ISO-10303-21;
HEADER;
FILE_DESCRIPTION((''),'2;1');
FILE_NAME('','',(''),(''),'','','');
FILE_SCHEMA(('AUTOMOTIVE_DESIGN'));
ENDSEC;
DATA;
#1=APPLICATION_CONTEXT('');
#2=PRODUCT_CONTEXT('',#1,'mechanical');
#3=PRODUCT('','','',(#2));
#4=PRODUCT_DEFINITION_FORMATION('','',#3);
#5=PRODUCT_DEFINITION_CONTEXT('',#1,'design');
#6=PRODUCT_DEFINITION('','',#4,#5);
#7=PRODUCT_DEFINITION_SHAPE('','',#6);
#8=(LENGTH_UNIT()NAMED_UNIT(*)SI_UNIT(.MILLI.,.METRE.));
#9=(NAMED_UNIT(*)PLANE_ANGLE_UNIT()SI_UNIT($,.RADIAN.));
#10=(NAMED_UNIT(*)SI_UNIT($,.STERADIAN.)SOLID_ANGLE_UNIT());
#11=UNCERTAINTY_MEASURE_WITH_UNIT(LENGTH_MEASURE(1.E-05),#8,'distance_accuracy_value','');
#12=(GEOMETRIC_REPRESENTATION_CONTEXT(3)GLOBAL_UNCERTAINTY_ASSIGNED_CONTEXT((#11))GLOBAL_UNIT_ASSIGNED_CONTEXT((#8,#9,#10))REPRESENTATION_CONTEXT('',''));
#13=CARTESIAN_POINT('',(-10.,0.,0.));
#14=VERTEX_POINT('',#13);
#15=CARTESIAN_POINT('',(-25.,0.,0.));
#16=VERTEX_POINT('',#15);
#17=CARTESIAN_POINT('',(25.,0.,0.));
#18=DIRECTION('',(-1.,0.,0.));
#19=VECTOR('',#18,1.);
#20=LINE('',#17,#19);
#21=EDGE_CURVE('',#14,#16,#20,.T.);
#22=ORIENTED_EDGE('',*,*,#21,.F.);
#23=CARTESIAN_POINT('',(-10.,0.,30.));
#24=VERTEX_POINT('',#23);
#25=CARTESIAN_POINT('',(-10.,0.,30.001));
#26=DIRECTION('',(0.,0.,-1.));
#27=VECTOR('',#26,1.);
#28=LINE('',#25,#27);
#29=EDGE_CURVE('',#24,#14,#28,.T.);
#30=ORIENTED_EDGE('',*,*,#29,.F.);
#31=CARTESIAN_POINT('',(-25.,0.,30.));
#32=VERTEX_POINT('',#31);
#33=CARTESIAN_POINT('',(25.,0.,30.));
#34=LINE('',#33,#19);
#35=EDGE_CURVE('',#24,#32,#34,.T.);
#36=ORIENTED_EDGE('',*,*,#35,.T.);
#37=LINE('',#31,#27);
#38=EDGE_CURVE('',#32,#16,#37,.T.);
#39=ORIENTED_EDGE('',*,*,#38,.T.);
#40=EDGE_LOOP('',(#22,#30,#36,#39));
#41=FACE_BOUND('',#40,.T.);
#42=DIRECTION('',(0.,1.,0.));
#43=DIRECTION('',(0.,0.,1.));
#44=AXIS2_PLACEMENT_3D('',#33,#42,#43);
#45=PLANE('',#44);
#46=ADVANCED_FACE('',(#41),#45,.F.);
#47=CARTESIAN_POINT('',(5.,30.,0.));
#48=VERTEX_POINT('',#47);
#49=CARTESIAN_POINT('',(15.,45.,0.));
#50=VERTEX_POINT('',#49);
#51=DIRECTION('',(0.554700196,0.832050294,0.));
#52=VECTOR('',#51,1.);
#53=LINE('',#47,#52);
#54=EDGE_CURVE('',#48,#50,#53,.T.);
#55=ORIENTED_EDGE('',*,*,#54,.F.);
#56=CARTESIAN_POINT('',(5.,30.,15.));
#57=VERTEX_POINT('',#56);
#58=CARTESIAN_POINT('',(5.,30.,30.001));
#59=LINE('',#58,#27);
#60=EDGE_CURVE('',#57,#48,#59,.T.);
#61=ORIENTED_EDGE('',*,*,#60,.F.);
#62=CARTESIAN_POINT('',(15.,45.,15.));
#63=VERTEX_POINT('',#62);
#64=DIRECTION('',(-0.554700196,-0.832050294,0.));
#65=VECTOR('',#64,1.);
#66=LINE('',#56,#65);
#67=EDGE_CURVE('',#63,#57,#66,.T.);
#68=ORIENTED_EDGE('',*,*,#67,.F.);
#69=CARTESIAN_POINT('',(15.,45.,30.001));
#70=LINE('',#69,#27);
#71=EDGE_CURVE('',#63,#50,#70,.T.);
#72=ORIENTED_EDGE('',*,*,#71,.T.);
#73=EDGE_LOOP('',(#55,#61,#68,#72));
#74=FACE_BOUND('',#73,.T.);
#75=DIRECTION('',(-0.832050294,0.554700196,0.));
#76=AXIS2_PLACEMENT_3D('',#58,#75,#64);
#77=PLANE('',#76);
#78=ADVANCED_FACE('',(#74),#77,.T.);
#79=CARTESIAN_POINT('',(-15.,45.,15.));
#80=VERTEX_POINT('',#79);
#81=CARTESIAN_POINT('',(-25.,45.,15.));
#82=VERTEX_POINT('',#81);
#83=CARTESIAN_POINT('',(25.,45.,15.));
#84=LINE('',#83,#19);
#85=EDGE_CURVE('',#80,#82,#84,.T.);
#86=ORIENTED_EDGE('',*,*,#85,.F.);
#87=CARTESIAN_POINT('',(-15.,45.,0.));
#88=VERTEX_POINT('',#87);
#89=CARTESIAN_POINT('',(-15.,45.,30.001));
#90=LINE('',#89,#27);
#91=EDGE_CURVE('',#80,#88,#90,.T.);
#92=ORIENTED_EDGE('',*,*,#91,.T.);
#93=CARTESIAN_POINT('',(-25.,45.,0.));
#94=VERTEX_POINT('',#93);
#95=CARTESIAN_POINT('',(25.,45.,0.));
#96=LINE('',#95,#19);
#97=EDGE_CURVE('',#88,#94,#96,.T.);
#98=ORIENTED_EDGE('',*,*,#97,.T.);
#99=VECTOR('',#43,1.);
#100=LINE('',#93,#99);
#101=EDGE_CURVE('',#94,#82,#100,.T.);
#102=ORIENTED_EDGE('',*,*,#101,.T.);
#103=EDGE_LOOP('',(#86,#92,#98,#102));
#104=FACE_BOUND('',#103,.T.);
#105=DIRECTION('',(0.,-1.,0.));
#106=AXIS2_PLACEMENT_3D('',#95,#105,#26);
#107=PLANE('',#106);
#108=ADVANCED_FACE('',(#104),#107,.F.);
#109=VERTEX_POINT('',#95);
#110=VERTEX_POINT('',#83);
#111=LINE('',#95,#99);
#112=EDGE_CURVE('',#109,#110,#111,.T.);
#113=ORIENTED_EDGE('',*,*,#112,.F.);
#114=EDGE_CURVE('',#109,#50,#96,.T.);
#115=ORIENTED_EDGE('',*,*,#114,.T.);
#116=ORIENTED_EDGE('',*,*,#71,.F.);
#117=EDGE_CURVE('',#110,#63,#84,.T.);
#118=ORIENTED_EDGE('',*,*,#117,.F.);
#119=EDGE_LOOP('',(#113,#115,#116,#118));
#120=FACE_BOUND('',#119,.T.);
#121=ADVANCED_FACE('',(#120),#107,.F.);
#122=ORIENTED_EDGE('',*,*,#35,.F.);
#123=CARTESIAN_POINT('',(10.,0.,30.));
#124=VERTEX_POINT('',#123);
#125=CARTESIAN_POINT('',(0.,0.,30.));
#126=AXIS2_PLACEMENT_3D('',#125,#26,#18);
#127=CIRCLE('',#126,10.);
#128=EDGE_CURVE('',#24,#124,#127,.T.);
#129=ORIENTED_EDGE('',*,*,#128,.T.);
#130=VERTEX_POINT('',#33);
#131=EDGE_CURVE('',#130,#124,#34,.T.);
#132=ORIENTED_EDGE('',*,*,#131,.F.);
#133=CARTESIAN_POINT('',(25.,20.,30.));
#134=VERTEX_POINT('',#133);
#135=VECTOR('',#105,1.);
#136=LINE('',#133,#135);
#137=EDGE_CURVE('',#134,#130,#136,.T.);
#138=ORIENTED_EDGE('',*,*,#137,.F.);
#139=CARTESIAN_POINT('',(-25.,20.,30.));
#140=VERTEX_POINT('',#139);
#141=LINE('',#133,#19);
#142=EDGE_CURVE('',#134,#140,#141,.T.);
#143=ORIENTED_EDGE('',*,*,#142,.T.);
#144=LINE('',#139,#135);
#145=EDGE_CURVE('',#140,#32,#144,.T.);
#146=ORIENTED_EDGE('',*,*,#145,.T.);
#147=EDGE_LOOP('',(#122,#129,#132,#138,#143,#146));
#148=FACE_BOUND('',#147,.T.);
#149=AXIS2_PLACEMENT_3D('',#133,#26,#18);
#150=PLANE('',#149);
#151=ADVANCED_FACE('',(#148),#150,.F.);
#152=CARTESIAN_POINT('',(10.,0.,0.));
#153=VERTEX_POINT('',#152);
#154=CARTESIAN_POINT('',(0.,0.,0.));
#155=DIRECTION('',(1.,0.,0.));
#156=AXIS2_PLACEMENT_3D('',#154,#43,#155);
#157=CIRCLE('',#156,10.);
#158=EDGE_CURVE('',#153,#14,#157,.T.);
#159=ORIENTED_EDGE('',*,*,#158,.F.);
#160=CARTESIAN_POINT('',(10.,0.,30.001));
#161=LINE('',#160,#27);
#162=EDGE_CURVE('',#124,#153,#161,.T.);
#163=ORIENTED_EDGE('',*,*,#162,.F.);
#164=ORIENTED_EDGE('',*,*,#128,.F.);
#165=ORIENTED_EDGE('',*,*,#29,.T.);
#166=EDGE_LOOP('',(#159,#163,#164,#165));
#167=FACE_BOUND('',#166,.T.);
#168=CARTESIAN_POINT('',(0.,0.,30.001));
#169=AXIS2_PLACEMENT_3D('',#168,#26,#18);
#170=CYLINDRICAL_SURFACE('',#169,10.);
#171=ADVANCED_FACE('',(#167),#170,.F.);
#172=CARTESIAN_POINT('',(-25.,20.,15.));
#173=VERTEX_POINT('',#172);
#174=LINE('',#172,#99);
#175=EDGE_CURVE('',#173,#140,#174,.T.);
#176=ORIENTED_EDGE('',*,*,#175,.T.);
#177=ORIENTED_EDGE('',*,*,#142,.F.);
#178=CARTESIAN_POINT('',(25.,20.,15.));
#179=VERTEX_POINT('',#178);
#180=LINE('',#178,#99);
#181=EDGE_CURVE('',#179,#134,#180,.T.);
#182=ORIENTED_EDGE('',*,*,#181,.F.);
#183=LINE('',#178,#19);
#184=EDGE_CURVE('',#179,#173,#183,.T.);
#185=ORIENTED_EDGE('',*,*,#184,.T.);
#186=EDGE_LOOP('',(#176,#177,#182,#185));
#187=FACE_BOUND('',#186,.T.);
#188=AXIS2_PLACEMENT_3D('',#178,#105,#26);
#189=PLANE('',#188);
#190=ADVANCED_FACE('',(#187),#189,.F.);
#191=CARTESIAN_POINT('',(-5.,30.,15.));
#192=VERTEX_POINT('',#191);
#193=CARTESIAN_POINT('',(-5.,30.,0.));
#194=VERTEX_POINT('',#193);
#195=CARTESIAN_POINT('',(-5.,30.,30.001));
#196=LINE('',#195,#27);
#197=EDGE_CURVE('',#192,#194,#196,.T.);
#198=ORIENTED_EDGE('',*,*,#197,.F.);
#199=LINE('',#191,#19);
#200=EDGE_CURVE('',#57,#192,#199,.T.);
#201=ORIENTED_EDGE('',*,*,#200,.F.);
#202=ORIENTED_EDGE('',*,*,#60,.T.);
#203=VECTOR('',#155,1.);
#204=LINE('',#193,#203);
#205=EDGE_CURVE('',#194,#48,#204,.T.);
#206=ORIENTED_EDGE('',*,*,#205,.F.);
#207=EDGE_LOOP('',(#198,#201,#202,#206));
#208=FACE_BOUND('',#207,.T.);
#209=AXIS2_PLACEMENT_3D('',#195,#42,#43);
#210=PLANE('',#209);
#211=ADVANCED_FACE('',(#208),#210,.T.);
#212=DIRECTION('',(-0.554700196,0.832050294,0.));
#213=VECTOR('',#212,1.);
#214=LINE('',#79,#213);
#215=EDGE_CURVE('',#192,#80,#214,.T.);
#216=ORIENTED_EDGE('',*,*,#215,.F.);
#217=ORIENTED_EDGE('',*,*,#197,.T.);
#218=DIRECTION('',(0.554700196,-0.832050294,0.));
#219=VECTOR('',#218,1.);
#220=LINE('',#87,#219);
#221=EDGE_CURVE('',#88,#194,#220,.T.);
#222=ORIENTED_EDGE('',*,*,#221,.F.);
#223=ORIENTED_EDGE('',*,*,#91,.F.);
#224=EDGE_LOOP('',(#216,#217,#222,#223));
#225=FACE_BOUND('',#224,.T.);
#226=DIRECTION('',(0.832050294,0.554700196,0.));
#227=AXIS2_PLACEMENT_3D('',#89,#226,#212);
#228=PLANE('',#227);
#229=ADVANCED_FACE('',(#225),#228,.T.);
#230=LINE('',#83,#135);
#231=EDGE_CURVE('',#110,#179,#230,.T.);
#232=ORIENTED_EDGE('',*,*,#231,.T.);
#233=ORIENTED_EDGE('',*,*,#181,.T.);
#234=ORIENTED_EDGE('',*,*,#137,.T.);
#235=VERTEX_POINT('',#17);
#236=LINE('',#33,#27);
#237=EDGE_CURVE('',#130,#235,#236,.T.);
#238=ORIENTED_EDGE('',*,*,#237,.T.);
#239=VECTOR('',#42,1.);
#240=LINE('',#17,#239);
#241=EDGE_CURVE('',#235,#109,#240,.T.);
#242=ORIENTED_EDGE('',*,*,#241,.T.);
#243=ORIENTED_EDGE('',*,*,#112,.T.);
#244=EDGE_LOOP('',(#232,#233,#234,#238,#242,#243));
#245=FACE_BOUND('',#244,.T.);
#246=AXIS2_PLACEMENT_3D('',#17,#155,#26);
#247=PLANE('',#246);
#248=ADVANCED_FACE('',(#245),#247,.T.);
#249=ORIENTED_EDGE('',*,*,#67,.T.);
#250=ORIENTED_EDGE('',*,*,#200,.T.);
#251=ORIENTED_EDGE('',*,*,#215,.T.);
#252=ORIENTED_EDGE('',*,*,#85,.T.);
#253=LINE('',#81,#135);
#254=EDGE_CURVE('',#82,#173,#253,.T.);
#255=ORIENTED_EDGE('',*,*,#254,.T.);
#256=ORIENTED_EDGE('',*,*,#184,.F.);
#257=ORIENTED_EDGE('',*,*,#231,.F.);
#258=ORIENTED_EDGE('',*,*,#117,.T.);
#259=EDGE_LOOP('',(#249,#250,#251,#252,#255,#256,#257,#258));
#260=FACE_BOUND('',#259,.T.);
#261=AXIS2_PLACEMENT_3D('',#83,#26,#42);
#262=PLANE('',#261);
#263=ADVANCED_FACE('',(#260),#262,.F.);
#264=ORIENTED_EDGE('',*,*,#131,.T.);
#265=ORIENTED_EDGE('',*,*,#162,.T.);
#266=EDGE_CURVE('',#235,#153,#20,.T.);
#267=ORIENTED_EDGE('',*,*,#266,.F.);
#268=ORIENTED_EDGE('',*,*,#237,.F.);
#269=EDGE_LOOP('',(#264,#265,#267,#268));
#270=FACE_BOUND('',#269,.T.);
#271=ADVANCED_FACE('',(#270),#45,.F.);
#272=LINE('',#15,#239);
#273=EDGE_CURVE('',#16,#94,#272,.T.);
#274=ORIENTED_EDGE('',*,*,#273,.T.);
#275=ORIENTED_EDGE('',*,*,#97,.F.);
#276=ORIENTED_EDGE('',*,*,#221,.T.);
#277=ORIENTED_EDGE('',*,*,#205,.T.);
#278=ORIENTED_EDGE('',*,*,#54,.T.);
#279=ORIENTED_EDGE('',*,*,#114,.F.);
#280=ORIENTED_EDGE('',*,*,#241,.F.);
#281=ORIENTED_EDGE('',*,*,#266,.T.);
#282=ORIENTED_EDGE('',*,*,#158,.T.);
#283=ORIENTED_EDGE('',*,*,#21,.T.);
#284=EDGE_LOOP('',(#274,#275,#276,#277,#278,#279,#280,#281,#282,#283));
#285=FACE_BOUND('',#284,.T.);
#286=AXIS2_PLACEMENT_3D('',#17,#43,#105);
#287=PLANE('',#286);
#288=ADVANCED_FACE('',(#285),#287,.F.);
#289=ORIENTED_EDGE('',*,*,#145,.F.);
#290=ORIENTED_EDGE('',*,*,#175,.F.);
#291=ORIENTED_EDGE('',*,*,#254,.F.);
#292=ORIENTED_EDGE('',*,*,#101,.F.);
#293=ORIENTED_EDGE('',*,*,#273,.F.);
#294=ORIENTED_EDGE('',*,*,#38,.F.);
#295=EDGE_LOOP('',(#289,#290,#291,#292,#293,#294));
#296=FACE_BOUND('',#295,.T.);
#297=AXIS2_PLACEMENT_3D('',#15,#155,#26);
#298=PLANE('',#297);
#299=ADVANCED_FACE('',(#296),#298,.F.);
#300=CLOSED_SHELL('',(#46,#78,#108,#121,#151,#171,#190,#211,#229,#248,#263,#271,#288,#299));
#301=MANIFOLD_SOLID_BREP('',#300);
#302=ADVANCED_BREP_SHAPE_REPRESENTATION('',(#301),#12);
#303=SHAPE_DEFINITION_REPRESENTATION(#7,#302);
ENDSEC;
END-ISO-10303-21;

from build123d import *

# Parameters (mm, degrees)
SALIENTE_EXTRUIR1_DEPTH = 25
CORTAR_EXTRUIR2_REACH   = 61.582


with BuildPart() as part:
    # Croquis2 → Saliente-Extruir1 (new, symmetric)
    with BuildSketch(Plane(origin=(0, 0, 0), x_dir=(0, 0, -1), z_dir=(1, 0, 0))):
        Polygon((0, 0), (0, 45), (-15, 45), (-15, 20), (-30, 20), (-30, 0), align=None)
    extrude(amount=SALIENTE_EXTRUIR1_DEPTH, both=True)

    # Croquis4 → Cortar-Extruir2 (cut, up to next)
    with BuildSketch(Plane.XY, mode=Mode.PRIVATE) as cortar_extruir2_sk1:
        with BuildLine():
            Line((-10, 0), (10, 0))
            ThreePointArc((10, 0), (0, 10), (-10, 0))
        make_face()
    cortar_extruir2_tool1 = extrude(cortar_extruir2_sk1.sketch, amount=CORTAR_EXTRUIR2_REACH, mode=Mode.PRIVATE) & part.part
    # Croquis4 → Cortar-Extruir2 (cut, up to next)
    with BuildSketch(Plane.XY, mode=Mode.PRIVATE) as cortar_extruir2_sk2:
        Polygon((-15, 45), (-5, 30), (5, 30), (15, 45), align=None)
    cortar_extruir2_tool2 = extrude(cortar_extruir2_sk2.sketch, amount=CORTAR_EXTRUIR2_REACH, mode=Mode.PRIVATE) & part.part
    add(cortar_extruir2_tool1.solids().sort_by_distance((0, 4.244132, 0))[0], mode=Mode.SUBTRACT)
    add(cortar_extruir2_tool2.solids().sort_by_distance((0, 38.75, 0))[0], mode=Mode.SUBTRACT)


solid = part.part
